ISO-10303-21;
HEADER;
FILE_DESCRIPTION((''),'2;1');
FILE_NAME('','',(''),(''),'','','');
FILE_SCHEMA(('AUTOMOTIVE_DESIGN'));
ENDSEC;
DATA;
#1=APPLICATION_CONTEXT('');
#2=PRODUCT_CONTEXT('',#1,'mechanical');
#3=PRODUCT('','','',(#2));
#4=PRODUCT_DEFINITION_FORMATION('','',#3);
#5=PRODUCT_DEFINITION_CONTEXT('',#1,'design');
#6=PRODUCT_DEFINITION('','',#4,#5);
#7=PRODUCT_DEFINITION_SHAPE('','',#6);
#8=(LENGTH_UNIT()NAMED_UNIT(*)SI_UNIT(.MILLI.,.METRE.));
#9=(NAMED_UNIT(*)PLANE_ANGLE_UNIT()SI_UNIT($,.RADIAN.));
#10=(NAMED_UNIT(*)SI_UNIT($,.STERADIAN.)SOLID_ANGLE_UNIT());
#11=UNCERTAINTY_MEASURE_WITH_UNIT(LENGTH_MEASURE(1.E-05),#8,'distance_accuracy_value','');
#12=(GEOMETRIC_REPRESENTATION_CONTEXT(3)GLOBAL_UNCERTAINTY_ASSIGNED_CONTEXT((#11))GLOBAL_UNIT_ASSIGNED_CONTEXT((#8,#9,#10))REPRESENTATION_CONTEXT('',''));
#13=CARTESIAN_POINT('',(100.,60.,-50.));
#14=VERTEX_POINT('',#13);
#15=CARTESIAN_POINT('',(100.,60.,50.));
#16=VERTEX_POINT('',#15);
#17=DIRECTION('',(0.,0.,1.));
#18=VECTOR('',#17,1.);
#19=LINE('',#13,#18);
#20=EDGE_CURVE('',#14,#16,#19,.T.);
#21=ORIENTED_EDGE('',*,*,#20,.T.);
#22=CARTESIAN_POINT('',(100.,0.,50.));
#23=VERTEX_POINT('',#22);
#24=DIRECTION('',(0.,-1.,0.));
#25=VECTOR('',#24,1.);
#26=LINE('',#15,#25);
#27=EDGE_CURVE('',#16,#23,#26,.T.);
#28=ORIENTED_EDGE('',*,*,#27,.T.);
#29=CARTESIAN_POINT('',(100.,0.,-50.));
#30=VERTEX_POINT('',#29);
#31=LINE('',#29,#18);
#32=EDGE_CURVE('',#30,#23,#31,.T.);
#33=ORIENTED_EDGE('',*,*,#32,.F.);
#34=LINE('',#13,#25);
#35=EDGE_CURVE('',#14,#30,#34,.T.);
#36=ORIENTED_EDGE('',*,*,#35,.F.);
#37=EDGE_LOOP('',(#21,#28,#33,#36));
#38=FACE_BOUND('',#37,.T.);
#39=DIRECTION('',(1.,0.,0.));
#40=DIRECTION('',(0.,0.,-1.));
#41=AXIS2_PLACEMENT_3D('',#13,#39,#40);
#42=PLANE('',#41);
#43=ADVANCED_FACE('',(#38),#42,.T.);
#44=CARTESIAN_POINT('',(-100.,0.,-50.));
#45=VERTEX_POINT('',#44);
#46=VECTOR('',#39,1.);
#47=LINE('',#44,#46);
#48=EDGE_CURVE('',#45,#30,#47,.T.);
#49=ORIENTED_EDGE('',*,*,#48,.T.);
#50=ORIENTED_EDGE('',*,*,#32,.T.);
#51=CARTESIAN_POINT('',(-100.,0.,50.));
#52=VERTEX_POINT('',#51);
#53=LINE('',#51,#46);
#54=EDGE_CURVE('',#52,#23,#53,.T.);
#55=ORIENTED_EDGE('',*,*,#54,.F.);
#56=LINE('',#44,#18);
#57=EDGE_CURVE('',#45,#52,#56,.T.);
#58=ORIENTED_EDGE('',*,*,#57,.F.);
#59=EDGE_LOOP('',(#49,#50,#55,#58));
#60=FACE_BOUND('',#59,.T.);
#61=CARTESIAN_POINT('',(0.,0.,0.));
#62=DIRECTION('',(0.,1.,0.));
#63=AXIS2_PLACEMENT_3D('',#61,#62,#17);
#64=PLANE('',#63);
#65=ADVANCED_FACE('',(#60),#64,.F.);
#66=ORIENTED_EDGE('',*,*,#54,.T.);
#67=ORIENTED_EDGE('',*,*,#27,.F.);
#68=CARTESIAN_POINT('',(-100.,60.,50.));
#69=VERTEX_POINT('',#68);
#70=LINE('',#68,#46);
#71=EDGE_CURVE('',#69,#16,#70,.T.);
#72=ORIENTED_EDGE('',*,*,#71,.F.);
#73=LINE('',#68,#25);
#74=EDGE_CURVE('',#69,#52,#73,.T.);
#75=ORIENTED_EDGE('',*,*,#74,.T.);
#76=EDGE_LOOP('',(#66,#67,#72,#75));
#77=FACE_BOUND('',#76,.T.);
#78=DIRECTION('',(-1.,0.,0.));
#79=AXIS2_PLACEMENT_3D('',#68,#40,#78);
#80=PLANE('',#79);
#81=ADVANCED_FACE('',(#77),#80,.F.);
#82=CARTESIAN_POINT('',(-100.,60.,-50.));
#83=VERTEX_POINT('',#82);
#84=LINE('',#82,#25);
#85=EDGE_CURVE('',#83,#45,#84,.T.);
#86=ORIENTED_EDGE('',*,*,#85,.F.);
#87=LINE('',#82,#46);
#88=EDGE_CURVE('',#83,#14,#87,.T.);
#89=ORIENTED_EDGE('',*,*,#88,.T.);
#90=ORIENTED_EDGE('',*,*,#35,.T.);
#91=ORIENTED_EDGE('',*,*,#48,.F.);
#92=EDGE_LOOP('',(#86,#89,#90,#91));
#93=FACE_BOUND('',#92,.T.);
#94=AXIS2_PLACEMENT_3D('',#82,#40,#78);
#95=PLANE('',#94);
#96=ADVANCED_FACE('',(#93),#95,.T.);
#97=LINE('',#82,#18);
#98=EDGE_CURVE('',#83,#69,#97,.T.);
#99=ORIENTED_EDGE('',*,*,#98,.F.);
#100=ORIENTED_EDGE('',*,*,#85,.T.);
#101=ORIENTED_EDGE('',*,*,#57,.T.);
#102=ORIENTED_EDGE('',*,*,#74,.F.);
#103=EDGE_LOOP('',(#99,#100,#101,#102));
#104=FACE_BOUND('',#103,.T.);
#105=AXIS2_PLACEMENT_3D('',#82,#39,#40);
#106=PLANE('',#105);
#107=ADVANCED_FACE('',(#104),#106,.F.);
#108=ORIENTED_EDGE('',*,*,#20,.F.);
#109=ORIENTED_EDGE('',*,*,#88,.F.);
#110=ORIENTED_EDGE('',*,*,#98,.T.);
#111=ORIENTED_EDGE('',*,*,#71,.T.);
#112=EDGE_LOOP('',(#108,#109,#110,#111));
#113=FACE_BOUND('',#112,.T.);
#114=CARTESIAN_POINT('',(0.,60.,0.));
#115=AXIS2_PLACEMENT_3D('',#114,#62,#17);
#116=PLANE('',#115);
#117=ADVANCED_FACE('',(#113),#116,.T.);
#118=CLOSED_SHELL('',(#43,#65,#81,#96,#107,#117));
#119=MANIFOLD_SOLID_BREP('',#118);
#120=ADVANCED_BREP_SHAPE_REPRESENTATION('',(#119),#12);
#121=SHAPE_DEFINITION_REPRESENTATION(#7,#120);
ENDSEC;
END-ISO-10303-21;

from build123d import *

# Parameters (mm, degrees)
SKETCH_1_W      = 200
SKETCH_1_H      = 100
EXTRUDE_1_DEPTH = 60


with BuildPart() as part:
    # 草图1 → 凸台-拉伸1 (new body)
    with BuildSketch(Plane(origin=(0, 0, 0), x_dir=(1, 0, 0), z_dir=(0, 1, 0))):
        Rectangle(SKETCH_1_W, SKETCH_1_H)
    extrude(amount=EXTRUDE_1_DEPTH)


solid = part.part
